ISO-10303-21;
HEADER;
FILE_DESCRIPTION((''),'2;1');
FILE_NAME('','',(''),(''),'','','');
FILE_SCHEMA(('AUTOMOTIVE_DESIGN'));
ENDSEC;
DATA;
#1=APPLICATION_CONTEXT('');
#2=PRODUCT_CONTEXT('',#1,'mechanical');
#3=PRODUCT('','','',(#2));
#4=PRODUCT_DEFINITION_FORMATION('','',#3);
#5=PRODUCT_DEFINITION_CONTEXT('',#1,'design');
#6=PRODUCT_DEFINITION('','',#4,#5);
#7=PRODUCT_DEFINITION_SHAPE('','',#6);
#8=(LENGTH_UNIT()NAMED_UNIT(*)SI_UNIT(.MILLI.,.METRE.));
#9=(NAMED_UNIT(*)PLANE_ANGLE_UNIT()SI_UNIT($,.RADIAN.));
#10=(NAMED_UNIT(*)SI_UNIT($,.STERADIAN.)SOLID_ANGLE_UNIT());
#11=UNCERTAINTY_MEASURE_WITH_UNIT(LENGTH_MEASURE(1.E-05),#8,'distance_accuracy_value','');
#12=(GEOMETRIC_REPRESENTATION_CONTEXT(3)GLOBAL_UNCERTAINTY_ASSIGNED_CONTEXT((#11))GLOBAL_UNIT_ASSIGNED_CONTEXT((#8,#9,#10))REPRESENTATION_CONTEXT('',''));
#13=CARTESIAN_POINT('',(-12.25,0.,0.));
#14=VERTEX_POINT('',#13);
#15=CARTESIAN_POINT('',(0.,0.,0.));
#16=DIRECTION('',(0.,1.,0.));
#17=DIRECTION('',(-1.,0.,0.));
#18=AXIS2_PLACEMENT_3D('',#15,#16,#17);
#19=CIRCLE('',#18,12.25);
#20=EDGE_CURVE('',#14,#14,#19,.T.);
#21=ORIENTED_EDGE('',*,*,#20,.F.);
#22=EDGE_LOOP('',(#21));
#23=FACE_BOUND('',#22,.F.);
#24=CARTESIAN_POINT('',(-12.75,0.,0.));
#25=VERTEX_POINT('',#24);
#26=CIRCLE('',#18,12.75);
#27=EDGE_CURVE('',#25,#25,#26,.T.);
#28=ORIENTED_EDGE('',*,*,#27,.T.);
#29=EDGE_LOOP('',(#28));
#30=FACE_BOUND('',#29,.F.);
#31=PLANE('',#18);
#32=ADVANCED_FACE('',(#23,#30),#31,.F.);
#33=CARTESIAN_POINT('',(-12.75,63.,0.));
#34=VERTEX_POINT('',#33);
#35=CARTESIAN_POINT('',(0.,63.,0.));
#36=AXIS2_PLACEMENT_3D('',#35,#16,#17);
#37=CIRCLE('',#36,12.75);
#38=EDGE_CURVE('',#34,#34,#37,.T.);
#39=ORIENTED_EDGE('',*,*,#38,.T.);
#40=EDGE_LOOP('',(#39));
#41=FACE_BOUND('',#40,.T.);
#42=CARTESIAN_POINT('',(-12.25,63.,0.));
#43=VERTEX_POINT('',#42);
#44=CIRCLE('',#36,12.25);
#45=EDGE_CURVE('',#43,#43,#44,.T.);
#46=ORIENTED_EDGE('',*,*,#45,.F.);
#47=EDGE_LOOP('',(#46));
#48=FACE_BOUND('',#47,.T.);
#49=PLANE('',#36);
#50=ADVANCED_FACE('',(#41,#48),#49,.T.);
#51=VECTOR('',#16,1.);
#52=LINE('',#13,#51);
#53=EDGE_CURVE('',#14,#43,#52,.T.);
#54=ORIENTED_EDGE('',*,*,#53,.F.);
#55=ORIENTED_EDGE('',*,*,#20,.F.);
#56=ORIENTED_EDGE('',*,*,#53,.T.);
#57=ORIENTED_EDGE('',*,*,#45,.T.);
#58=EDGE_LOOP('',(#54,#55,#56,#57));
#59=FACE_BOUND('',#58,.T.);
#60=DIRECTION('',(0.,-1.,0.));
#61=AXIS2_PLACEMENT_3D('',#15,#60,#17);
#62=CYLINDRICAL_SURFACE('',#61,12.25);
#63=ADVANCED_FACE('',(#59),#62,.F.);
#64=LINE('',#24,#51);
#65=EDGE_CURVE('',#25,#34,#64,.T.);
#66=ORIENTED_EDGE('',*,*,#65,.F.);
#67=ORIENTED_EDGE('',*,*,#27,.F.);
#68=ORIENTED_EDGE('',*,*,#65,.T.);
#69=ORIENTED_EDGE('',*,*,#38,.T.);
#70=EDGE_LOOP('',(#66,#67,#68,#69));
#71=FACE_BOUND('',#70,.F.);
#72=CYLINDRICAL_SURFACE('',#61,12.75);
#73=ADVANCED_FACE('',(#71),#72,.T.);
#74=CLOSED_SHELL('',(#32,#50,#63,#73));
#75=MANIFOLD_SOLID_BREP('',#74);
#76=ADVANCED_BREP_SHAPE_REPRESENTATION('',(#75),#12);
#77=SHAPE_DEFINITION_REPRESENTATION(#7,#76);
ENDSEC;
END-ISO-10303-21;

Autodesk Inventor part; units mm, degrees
ref_plane "YZ Plane" through (0, 0, 0) normal (1, 0, 0) x (0, 1, 0)
ref_plane "XZ Plane" through (0, 0, 0) normal (0, 1, 0) x (-1, 0, 0)
ref_plane "XY Plane" through (0, 0, 0) normal (0, 0, 1) x (1, 0, 0)
sketch "Skizze1" plane through (0, 0, 0) normal (0, 1, 0) x (-1, 0, 0)
  circle A0 centre (0, 0) radius 12.75
  circle A1 centre (0, 0) radius 12.25
  dimension "d0" = 25.5
  dimension "d1" = 24.5
extrude "Extrusion1" add sketch "Skizze1" along normal blind 63
properties part number "16" material "Blei"
